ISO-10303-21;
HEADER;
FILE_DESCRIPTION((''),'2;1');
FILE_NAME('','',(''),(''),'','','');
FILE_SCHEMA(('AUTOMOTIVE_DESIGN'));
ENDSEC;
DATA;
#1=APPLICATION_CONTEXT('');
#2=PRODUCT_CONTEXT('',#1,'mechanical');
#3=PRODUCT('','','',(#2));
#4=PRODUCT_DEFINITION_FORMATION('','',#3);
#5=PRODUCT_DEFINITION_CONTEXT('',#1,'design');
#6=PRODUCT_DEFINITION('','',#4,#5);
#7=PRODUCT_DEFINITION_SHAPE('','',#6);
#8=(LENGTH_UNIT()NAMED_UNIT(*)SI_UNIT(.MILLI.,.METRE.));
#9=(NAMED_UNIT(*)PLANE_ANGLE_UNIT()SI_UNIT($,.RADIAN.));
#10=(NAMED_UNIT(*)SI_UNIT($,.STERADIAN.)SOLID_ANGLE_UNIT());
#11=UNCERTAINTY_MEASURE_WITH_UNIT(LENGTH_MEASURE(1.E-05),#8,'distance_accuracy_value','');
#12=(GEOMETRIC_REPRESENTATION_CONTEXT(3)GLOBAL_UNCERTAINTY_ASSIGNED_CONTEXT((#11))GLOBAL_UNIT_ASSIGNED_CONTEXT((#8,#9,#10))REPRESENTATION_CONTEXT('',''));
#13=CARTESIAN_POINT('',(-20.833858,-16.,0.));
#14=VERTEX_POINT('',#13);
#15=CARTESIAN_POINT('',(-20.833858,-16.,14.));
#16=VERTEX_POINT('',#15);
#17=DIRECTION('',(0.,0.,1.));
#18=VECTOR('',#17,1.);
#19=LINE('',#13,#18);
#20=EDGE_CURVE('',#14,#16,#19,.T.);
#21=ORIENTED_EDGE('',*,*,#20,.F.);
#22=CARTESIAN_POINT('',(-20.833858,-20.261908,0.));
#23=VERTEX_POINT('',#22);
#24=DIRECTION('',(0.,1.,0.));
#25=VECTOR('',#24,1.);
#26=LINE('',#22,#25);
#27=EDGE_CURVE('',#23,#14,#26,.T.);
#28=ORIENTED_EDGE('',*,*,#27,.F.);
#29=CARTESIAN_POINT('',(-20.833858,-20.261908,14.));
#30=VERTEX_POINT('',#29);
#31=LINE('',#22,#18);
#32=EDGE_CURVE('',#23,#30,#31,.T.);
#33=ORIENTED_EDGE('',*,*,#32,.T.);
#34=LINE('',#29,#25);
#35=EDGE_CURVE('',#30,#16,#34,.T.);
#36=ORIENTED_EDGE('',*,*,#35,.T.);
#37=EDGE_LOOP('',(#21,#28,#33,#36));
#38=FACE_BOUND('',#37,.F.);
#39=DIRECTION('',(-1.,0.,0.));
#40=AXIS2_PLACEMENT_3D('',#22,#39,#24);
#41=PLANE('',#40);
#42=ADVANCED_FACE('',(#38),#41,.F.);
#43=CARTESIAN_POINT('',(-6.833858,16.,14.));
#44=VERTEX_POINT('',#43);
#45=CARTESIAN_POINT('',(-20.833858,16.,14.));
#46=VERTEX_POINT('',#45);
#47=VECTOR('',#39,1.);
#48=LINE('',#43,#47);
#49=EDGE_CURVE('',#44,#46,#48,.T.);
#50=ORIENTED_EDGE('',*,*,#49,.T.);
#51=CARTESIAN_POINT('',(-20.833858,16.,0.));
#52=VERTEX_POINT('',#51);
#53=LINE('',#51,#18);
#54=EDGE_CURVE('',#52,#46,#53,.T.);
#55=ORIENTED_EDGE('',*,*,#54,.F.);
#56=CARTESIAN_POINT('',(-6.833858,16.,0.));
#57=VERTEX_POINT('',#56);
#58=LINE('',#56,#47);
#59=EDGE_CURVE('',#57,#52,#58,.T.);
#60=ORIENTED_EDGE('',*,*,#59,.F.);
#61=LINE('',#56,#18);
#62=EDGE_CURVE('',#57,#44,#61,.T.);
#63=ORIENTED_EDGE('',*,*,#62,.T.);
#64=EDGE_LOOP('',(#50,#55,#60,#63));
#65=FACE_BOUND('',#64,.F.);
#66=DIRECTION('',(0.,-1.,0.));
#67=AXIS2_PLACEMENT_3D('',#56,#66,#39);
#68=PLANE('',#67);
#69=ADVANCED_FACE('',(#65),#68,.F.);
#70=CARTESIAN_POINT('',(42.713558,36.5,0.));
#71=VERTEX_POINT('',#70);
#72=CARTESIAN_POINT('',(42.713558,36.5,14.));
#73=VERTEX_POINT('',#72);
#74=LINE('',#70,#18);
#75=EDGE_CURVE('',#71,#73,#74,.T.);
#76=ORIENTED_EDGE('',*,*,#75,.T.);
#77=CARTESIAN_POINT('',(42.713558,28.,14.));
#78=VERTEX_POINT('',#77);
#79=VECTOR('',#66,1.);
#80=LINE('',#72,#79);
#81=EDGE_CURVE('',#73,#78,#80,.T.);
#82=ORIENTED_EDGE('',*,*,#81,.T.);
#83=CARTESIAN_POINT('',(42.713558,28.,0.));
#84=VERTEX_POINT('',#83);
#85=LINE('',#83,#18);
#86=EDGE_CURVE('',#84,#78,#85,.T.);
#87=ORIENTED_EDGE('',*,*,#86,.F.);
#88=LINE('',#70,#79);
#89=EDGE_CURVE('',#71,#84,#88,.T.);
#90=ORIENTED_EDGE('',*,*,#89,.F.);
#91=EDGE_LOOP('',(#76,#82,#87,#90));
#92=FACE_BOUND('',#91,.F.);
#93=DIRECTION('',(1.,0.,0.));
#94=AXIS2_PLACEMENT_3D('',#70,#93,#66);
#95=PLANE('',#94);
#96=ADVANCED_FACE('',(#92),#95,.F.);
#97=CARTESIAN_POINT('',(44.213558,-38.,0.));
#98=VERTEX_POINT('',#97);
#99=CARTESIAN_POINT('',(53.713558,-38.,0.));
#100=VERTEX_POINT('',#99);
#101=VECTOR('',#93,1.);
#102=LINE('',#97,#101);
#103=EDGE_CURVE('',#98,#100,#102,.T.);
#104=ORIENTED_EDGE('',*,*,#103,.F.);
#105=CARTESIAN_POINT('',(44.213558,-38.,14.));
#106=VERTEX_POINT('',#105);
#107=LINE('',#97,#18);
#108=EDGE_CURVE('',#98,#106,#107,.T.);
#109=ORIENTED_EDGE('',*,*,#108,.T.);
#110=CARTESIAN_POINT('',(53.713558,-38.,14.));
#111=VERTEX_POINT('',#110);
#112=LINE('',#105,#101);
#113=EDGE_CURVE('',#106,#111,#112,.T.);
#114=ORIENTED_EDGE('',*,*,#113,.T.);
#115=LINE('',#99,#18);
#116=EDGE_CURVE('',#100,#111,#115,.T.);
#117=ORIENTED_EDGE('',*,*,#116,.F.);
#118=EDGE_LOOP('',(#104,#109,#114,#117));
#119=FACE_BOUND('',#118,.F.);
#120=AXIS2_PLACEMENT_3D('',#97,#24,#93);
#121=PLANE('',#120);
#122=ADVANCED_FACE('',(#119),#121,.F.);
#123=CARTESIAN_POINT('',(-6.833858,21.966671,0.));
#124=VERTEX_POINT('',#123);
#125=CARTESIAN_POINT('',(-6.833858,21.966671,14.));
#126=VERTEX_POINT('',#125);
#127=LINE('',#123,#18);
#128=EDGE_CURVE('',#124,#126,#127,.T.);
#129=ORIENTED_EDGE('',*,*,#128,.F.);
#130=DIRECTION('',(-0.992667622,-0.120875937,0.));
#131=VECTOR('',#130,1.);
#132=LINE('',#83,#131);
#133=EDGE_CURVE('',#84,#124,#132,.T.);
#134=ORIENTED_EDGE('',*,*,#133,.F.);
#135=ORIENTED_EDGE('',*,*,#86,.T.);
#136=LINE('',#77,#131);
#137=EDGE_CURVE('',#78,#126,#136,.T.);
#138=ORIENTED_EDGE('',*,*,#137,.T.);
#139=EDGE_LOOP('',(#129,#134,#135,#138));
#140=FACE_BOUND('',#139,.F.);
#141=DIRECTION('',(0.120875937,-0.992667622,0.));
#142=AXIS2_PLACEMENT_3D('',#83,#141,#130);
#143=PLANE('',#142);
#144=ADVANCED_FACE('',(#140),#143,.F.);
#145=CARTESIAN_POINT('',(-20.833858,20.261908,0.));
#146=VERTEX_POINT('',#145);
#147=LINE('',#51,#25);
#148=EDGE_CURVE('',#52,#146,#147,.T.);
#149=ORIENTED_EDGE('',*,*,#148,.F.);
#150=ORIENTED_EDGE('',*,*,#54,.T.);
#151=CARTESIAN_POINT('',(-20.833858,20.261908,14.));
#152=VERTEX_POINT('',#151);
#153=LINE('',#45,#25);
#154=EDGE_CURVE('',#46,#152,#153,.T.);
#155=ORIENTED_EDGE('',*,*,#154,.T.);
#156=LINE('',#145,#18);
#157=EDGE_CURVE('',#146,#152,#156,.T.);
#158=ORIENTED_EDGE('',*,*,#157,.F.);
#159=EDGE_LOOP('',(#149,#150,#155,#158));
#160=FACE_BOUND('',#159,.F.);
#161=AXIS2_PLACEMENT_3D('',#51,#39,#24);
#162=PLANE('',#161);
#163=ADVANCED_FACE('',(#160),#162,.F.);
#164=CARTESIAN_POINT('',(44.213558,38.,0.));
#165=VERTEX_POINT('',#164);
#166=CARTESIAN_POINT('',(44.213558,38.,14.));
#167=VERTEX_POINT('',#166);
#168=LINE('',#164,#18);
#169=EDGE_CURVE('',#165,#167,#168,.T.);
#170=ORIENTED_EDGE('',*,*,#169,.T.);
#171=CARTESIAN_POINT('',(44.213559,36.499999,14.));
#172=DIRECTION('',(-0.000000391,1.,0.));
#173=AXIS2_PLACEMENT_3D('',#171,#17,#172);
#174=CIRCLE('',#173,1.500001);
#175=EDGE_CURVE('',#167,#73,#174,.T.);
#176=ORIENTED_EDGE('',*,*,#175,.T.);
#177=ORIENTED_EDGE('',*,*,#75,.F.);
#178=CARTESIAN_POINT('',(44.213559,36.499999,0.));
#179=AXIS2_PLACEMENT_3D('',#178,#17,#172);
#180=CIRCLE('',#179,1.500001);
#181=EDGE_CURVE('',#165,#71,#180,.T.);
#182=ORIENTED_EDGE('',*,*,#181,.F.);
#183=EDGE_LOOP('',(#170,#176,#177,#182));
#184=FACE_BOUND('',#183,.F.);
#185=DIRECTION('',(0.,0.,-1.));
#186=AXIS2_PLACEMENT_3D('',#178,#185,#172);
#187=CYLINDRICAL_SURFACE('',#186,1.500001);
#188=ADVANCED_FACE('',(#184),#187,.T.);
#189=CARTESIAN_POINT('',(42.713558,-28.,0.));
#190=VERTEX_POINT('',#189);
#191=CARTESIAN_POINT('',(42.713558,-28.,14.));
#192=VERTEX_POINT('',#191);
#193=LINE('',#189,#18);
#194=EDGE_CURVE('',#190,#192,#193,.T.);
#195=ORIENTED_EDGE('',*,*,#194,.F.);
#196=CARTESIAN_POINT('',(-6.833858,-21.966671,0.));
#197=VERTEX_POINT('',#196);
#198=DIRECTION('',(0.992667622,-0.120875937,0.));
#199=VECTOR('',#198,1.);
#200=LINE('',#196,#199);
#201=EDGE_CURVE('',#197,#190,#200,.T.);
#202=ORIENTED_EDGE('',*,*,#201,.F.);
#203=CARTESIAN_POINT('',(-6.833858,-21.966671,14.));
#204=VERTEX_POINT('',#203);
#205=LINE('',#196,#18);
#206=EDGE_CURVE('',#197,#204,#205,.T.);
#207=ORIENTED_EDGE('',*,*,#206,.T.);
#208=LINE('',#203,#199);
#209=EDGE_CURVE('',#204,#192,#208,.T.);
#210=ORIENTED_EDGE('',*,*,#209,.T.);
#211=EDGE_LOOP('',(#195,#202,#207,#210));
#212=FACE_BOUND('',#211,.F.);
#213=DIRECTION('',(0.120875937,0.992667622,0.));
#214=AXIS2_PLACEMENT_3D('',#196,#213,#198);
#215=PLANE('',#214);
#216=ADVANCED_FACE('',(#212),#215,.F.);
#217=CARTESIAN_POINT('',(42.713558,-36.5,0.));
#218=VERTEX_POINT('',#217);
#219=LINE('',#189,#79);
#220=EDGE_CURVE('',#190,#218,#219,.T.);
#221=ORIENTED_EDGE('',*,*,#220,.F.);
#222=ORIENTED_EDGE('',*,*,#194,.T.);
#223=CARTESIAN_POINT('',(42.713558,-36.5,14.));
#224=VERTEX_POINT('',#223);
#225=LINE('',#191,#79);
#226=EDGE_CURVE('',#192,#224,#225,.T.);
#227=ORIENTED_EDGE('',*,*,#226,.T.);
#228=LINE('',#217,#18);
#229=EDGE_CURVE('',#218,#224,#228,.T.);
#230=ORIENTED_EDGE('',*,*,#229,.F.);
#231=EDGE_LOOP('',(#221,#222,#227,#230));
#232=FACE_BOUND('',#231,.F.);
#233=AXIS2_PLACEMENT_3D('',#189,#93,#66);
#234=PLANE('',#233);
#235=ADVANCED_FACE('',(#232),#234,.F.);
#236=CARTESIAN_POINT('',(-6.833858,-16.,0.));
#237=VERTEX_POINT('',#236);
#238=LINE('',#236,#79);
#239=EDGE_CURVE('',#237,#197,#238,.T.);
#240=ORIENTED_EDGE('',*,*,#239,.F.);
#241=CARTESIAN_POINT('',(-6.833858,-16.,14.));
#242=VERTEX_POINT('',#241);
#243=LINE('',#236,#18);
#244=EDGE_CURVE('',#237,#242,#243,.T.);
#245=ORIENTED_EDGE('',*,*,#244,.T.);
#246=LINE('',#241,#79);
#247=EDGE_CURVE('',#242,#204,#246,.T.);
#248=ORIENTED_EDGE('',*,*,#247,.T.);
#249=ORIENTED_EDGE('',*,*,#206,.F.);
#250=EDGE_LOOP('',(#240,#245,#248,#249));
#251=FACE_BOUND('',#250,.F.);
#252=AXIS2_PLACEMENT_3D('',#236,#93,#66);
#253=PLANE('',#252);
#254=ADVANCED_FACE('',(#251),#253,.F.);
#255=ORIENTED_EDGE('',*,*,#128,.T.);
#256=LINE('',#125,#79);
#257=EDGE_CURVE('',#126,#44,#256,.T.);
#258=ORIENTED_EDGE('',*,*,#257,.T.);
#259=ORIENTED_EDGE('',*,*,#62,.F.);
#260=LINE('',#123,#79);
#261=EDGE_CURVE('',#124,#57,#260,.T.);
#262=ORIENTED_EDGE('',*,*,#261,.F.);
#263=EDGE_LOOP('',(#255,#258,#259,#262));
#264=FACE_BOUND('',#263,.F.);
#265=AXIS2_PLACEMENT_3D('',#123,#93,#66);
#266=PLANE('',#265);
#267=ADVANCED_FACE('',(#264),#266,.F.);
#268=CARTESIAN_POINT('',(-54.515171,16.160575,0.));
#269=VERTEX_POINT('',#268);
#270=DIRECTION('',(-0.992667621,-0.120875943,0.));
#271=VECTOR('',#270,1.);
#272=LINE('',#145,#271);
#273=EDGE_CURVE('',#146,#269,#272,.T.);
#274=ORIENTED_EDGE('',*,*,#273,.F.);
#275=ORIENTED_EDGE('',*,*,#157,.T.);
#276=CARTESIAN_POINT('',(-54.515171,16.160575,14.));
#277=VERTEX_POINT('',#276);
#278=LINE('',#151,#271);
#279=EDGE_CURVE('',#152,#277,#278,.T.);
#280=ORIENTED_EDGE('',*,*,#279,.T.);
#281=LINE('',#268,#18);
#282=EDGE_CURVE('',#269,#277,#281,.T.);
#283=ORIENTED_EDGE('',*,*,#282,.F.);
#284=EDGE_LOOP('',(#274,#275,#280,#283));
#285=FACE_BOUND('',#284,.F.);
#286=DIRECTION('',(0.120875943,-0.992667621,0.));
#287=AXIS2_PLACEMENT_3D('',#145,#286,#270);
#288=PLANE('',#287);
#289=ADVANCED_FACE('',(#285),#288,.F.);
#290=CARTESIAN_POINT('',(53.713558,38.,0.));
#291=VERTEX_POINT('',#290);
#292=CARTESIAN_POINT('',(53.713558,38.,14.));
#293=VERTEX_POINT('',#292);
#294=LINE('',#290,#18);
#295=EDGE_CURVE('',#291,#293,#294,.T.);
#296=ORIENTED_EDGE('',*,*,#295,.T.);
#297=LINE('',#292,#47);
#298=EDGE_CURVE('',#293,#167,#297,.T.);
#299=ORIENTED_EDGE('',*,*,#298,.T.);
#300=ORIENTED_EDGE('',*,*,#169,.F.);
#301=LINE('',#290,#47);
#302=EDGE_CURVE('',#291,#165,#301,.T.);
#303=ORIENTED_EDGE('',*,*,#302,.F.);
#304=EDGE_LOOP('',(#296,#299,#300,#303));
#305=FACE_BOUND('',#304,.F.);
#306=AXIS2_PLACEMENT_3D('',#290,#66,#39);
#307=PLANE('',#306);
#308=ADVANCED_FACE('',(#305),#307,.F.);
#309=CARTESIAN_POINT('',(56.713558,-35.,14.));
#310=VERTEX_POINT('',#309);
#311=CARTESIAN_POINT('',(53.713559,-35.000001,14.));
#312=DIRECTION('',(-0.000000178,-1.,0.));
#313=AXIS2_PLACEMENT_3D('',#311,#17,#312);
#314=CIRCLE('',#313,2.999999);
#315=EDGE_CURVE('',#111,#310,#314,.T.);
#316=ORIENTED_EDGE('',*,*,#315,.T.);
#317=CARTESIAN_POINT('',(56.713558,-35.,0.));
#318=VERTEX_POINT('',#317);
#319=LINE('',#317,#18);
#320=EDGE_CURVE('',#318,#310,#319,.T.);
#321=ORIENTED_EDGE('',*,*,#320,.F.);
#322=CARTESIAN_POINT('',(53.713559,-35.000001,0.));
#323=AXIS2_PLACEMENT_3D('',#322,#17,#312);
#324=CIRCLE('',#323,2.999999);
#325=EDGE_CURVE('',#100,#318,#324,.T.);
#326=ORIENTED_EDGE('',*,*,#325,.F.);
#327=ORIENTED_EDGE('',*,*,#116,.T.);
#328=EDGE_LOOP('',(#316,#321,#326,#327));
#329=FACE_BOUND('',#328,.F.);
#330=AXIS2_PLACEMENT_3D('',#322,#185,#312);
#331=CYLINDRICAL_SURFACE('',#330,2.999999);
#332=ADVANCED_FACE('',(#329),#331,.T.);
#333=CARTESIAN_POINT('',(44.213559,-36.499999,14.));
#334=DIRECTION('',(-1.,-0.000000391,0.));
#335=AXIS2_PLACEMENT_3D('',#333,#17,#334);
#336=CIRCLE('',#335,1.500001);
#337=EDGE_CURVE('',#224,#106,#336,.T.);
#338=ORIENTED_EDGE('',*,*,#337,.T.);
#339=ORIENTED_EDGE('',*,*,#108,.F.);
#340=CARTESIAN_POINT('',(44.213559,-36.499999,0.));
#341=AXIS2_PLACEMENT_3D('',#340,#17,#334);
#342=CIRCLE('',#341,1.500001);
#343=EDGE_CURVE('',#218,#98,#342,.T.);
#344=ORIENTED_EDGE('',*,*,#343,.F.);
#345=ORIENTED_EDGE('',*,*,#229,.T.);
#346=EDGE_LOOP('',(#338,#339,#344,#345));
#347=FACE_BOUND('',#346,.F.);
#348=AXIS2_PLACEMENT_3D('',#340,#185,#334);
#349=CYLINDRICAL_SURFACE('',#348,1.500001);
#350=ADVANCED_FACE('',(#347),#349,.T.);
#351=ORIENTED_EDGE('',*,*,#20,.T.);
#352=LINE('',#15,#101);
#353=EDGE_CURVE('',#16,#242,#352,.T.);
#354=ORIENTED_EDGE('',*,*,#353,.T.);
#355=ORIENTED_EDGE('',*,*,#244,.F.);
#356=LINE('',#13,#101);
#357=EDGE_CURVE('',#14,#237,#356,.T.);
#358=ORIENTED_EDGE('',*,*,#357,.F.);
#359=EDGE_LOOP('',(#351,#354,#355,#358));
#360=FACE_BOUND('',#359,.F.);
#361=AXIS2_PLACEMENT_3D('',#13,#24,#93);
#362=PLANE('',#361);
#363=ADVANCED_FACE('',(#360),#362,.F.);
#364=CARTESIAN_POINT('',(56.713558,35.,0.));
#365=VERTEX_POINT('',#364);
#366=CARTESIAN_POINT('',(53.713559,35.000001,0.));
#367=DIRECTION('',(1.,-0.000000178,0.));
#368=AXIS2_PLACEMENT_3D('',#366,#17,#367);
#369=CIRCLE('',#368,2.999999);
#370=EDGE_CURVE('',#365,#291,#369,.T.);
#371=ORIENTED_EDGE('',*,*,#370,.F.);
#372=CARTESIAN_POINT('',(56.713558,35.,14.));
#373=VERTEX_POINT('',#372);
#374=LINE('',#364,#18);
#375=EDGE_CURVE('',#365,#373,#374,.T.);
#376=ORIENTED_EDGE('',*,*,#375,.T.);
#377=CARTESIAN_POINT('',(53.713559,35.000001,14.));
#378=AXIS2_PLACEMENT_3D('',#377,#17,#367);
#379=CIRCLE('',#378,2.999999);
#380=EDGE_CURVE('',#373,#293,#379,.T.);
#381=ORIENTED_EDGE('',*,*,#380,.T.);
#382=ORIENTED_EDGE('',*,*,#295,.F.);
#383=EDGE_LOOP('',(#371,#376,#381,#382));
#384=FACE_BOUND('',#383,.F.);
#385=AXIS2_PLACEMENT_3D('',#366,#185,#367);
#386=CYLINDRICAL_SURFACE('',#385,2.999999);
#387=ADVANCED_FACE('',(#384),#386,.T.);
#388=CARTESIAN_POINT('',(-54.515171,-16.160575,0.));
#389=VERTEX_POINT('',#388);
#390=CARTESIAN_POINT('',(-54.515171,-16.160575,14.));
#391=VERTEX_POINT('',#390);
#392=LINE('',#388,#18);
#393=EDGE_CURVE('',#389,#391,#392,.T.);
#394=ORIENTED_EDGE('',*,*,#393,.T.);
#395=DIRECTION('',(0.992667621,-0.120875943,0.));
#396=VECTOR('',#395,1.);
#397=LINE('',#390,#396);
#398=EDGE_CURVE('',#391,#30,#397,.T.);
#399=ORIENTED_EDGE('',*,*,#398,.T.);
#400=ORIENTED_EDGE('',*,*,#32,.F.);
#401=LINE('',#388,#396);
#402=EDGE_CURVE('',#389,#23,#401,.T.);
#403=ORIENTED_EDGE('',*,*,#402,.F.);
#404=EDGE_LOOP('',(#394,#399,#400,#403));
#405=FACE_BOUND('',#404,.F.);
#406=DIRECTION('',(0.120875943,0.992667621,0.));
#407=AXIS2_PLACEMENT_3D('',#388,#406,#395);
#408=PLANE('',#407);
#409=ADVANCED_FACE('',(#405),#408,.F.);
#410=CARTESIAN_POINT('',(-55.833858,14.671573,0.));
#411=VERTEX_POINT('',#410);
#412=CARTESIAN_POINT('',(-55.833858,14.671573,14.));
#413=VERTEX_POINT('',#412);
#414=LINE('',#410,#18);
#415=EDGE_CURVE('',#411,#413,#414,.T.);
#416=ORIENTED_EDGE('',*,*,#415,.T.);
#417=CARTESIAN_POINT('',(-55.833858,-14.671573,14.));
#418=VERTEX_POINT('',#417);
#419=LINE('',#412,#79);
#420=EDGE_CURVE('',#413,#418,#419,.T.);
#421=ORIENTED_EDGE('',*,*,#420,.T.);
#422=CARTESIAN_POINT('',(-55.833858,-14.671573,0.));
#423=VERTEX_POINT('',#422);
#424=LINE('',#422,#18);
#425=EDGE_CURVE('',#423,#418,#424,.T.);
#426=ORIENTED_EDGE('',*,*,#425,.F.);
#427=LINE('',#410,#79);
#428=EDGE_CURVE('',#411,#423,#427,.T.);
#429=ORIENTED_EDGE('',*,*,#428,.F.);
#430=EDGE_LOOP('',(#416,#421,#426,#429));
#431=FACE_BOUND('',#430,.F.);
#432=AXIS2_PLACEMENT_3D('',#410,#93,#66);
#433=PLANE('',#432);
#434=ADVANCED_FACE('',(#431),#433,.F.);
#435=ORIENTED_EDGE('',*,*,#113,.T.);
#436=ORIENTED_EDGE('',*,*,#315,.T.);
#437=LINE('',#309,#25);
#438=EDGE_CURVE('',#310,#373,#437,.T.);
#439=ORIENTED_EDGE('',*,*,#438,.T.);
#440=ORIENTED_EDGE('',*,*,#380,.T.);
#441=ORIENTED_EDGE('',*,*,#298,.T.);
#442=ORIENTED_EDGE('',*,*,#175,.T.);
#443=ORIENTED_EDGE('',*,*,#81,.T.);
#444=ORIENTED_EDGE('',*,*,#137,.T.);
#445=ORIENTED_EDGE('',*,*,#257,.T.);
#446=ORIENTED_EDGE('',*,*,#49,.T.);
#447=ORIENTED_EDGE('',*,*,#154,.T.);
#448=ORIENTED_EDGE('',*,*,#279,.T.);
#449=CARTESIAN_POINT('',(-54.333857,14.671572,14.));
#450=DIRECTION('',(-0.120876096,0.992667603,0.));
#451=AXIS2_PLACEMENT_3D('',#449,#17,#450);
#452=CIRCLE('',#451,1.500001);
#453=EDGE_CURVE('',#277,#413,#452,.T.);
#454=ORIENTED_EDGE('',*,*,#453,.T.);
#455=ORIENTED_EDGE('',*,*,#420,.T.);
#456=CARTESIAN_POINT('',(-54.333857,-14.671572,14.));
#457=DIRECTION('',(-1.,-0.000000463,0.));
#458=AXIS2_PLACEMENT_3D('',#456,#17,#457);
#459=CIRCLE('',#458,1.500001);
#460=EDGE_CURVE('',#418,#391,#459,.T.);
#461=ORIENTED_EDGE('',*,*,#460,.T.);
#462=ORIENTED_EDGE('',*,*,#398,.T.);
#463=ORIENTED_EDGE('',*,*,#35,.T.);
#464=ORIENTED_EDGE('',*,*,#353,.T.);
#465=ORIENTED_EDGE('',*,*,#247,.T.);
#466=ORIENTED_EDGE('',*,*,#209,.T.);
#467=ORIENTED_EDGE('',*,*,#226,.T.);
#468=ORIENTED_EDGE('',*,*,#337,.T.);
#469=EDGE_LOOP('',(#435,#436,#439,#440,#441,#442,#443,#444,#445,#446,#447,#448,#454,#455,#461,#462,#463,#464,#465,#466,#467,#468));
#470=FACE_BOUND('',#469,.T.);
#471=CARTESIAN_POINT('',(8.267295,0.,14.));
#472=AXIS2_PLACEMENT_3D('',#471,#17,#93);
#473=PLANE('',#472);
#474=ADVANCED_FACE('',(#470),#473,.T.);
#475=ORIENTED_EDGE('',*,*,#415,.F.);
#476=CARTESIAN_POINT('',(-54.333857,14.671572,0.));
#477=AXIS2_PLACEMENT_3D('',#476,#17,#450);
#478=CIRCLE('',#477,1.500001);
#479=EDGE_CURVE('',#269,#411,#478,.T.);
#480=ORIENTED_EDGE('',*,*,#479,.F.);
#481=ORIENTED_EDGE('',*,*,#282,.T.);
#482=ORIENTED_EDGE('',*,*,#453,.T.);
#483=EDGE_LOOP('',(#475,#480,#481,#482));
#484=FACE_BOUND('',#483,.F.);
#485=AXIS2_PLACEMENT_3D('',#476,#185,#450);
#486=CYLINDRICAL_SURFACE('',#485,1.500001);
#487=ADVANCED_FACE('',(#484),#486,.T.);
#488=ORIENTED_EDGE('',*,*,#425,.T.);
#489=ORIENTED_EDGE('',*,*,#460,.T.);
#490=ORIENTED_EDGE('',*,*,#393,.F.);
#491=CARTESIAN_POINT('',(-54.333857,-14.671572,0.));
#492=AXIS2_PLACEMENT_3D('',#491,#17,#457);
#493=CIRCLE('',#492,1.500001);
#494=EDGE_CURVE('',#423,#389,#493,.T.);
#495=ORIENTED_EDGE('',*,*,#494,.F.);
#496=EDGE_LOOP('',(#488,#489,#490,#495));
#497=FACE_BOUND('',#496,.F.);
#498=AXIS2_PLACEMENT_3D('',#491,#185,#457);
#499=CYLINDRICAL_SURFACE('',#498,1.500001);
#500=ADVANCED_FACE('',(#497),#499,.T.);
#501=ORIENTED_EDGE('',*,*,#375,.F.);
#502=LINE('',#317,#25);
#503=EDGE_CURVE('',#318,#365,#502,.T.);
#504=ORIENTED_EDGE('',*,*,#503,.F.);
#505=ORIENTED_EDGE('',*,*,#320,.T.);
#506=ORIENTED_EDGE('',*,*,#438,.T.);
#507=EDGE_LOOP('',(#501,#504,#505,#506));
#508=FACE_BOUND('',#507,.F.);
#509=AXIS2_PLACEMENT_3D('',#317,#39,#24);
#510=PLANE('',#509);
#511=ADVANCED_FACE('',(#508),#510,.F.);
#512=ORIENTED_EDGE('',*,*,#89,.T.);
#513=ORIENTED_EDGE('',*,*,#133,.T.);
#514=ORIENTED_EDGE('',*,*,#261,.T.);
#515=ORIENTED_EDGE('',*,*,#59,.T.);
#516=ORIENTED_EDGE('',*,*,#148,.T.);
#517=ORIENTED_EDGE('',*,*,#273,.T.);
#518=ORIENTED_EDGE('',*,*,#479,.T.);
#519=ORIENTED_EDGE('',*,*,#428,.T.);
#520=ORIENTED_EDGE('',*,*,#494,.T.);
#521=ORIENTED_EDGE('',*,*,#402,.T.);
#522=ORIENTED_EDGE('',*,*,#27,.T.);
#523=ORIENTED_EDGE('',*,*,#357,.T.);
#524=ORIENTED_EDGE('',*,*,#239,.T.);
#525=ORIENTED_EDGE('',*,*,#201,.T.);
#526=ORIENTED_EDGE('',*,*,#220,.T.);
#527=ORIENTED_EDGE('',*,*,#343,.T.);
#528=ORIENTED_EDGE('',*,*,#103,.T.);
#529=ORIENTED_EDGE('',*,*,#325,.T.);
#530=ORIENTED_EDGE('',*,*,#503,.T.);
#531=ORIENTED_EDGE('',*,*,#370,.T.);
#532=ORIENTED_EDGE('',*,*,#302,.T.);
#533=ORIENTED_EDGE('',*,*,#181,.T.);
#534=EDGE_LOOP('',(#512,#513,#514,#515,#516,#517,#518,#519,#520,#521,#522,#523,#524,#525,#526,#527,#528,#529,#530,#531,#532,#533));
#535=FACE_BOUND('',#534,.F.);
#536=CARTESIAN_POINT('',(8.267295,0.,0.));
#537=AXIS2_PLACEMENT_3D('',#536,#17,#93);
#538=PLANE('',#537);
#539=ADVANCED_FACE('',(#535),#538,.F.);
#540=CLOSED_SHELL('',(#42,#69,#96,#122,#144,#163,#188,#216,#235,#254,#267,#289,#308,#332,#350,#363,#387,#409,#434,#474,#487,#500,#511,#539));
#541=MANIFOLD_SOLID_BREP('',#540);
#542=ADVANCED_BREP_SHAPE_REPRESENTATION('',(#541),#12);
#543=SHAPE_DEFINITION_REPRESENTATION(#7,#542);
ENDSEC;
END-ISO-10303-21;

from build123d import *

# Parameters (mm, degrees)
F1_DEPTH = 14


with BuildPart() as f1:
    # F0 (on Top) → F1 (new body)
    with BuildSketch(Plane.XY):
        with BuildLine():
            Line((56.713558, -35), (56.713558, 35))
            ThreePointArc((56.713558, 35), (55.834879, 37.12132), (53.713558, 38))
            Line((53.713558, 38), (44.213558, 38))
            ThreePointArc((44.213558, 38), (43.152898, 37.56066), (42.713558, 36.5))
            Line((42.713558, 36.5), (42.713558, 28))
            Line((42.713558, 28), (-6.833858, 21.966671))
            Line((-6.833858, 21.966671), (-6.833858, 16))
            Line((-6.833858, 16), (-20.833858, 16))
            Line((-20.833858, 16), (-20.833858, 20.261908))
            Line((-20.833858, 20.261908), (-54.515171, 16.160575))
            ThreePointArc((-54.515171, 16.160575), (-55.456794, 15.666065), (-55.833858, 14.671573))
            Line((-55.833858, 14.671573), (-55.833858, 0))
            Line((-55.833858, 0), (-55.833858, -14.671573))
            ThreePointArc((-55.833858, -14.671573), (-55.456794, -15.666065), (-54.515171, -16.160575))
            Line((-54.515171, -16.160575), (-20.833858, -20.261908))
            Line((-20.833858, -20.261908), (-20.833858, -16))
            Line((-20.833858, -16), (-6.833858, -16))
            Line((-6.833858, -16), (-6.833858, -17.832412))
            Line((-6.833858, -17.832412), (-6.833858, -18.001248))
            Line((-6.833858, -18.001248), (-6.833858, -21.966671))
            Line((-6.833858, -21.966671), (42.713558, -28))
            Line((42.713558, -28), (42.713558, -36.5))
            ThreePointArc((42.713558, -36.5), (43.152898, -37.56066), (44.213558, -38))
            Line((44.213558, -38), (53.713558, -38))
            ThreePointArc((53.713558, -38), (55.834879, -37.12132), (56.713558, -35))
        make_face()
    extrude(amount=F1_DEPTH)


solid = f1.part
